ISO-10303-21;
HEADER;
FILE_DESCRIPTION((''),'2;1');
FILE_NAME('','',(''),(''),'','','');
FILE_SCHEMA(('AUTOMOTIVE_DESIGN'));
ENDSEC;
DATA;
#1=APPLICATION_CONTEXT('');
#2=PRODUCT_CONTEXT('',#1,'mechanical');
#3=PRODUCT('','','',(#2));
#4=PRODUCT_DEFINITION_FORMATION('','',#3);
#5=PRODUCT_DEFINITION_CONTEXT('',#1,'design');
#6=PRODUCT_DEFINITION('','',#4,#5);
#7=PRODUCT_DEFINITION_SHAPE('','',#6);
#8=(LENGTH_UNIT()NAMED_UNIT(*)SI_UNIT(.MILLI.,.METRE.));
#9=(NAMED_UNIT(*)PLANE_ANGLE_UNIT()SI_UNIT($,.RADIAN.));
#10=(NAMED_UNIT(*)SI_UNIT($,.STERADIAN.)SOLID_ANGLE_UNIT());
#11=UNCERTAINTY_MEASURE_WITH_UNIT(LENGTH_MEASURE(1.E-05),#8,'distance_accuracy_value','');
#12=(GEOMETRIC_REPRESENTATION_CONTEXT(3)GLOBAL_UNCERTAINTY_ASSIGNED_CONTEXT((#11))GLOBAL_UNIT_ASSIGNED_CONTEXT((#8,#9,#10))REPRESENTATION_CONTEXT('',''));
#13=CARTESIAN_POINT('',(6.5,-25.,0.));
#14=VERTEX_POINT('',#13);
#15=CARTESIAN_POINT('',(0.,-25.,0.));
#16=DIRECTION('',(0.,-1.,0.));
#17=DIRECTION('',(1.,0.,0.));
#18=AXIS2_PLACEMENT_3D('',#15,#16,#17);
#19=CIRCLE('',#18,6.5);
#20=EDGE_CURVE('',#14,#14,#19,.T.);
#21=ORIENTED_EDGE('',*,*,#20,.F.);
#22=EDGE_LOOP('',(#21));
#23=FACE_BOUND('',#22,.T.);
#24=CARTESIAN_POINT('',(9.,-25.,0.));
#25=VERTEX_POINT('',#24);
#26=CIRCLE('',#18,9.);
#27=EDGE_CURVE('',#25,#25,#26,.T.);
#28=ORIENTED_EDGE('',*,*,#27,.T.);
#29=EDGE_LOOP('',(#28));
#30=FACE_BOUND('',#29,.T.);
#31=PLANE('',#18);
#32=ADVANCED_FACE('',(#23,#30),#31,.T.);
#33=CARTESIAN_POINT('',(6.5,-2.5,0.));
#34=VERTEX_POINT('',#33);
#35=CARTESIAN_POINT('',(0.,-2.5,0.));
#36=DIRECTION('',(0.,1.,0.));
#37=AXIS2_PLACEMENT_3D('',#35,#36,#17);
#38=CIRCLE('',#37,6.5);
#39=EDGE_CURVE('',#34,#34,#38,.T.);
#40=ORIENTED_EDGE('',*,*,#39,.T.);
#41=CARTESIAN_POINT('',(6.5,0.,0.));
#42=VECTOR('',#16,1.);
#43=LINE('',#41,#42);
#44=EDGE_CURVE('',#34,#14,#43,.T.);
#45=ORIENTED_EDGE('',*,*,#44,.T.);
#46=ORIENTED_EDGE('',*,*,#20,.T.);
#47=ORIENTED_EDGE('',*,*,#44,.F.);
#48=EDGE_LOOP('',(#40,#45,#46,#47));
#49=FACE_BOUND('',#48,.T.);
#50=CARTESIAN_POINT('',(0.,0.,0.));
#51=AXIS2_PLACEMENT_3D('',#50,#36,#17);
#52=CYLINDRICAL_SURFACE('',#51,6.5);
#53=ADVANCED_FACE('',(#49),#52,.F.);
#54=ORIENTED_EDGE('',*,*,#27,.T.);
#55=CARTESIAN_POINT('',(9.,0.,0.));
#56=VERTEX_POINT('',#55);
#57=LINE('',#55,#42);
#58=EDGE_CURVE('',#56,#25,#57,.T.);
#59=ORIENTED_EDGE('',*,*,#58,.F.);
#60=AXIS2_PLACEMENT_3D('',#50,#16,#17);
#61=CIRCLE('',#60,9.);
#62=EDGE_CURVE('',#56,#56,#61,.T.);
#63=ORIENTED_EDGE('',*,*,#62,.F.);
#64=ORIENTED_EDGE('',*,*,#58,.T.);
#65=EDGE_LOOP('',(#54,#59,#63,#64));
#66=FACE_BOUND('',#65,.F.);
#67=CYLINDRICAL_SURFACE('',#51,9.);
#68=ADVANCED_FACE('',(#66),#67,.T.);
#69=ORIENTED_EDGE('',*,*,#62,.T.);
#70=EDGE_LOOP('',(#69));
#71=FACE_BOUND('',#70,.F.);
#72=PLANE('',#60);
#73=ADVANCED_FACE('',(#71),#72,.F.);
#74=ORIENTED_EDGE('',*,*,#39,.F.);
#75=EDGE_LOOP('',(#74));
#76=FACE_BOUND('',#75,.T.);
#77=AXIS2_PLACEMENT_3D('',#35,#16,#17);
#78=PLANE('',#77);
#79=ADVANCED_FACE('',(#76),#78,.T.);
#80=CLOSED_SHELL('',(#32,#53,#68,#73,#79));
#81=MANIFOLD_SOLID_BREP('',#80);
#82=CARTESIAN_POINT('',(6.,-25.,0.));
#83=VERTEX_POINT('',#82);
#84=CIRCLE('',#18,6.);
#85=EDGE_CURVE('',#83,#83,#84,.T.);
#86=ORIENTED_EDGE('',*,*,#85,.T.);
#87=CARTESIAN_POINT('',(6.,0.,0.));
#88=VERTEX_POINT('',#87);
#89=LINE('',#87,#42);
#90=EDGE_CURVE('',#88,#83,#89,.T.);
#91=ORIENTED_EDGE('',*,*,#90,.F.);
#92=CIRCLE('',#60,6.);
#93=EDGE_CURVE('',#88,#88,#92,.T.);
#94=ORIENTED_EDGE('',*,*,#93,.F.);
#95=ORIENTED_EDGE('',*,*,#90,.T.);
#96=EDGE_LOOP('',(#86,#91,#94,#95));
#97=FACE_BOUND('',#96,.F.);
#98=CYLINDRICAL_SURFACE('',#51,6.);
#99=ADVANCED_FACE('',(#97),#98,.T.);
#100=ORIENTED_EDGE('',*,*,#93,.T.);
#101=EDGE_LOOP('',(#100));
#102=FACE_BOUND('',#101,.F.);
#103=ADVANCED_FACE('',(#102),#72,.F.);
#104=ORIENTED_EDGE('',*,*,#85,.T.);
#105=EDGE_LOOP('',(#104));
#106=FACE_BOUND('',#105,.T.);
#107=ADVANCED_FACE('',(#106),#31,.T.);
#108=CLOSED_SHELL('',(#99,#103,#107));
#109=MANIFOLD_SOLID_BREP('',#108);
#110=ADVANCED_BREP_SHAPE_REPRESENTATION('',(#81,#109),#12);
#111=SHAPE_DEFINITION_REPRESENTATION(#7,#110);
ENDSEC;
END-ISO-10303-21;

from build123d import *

# Parameters (mm, degrees)
F0_R     = 9
F2_DEPTH = 25
F1_R     = 6
F3_T     = -2.5


with BuildPart() as f2:
    # F0 (on Front) → F2 (new body)
    with BuildSketch(Plane.XZ):
        Circle(F0_R)
    extrude(amount=F2_DEPTH)

    # F3
    f3_openings = [f2.faces().sort_by_distance(p)[0] for p in [
        (0, -25, 0),
    ]]
    offset(amount=F3_T, openings=f3_openings)


with BuildPart() as f2b:
    # F1 (on face) → F2, piece 2 (new body)
    with BuildSketch(Plane.XZ):
        Circle(F1_R)
    extrude(amount=F2_DEPTH)


solid = Compound([f2.part, f2b.part])
